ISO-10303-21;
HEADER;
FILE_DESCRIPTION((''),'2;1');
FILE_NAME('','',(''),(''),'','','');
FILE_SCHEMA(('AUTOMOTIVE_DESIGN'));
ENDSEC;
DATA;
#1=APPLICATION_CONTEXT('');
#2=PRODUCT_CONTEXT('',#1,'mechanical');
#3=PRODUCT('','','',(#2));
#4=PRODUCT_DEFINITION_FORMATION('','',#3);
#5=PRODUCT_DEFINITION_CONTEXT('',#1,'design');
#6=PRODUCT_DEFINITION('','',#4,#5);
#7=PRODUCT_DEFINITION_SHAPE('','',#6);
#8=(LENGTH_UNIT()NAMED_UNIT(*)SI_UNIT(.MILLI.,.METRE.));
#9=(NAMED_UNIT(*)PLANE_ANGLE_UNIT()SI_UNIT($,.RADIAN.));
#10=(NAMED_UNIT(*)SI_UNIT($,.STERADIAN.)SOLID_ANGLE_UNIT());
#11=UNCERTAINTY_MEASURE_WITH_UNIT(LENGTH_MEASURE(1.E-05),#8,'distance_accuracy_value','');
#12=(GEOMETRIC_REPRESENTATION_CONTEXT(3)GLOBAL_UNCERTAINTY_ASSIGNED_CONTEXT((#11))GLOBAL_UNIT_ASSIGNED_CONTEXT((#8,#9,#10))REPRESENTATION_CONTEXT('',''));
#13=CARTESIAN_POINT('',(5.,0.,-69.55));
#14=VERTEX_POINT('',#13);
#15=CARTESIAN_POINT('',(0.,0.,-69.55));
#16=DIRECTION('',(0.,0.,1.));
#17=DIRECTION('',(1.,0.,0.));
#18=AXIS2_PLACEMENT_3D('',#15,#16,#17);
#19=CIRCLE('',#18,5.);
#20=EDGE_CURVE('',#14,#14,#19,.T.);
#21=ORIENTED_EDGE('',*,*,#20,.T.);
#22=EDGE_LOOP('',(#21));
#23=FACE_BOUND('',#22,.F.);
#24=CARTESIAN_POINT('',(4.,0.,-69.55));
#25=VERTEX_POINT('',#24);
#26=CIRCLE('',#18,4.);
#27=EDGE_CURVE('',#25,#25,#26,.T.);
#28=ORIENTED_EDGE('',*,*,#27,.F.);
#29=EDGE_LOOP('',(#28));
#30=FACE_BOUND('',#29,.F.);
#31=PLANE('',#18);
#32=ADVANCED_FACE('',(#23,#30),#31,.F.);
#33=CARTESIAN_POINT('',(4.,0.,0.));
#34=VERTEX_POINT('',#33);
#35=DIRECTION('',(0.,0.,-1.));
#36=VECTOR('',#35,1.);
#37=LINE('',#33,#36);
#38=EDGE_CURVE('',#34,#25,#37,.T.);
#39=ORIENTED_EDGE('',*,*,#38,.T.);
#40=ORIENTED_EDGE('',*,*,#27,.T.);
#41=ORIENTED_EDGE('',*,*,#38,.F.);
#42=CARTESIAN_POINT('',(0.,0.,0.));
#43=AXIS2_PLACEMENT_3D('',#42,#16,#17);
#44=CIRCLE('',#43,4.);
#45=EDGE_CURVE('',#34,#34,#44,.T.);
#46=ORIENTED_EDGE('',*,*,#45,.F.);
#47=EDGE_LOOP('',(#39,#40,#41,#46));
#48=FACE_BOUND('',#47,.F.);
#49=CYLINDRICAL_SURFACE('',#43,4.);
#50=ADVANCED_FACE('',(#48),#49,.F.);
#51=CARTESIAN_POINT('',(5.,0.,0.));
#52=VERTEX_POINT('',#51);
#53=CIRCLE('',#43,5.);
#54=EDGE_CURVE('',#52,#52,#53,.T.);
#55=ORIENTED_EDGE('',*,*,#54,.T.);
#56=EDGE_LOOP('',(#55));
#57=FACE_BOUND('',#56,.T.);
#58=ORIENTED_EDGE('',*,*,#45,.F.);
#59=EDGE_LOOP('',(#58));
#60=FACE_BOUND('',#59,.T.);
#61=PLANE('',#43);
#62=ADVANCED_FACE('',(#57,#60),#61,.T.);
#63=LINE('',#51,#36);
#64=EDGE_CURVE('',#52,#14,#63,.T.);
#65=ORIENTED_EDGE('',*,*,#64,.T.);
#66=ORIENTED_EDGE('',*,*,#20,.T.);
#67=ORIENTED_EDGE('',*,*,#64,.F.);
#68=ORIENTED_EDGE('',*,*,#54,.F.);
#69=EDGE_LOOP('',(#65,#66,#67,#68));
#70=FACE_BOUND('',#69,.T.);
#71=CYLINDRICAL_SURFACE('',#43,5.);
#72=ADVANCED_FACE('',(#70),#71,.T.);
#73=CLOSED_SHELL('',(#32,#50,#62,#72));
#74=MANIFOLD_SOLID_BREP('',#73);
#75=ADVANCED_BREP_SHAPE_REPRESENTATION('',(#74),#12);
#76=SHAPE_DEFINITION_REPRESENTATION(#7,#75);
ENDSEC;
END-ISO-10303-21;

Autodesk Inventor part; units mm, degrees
ref_plane "YZ Plane" through (0, 0, 0) normal (1, 0, 0) x (0, 1, 0)
ref_plane "XZ Plane" through (0, 0, 0) normal (0, 1, 0) x (-1, 0, 0)
ref_plane "XY Plane" through (0, 0, 0) normal (0, 0, 1) x (1, 0, 0)
sketch "スケッチ2" plane through (0, 0, 0) normal (0, 0, 1) x (1, 0, 0)
  circle A0 centre (0, 0) radius 4
  circle A1 centre (0, 0) radius 5
  dimension "d3" = 8
  dimension "d4" = 10
extrude "押し出し1" add sketch "スケッチ2" against normal blind 69.55
properties part number "11_019_TIBIA_CFRP_PIPE_R1" material "CFRP"
